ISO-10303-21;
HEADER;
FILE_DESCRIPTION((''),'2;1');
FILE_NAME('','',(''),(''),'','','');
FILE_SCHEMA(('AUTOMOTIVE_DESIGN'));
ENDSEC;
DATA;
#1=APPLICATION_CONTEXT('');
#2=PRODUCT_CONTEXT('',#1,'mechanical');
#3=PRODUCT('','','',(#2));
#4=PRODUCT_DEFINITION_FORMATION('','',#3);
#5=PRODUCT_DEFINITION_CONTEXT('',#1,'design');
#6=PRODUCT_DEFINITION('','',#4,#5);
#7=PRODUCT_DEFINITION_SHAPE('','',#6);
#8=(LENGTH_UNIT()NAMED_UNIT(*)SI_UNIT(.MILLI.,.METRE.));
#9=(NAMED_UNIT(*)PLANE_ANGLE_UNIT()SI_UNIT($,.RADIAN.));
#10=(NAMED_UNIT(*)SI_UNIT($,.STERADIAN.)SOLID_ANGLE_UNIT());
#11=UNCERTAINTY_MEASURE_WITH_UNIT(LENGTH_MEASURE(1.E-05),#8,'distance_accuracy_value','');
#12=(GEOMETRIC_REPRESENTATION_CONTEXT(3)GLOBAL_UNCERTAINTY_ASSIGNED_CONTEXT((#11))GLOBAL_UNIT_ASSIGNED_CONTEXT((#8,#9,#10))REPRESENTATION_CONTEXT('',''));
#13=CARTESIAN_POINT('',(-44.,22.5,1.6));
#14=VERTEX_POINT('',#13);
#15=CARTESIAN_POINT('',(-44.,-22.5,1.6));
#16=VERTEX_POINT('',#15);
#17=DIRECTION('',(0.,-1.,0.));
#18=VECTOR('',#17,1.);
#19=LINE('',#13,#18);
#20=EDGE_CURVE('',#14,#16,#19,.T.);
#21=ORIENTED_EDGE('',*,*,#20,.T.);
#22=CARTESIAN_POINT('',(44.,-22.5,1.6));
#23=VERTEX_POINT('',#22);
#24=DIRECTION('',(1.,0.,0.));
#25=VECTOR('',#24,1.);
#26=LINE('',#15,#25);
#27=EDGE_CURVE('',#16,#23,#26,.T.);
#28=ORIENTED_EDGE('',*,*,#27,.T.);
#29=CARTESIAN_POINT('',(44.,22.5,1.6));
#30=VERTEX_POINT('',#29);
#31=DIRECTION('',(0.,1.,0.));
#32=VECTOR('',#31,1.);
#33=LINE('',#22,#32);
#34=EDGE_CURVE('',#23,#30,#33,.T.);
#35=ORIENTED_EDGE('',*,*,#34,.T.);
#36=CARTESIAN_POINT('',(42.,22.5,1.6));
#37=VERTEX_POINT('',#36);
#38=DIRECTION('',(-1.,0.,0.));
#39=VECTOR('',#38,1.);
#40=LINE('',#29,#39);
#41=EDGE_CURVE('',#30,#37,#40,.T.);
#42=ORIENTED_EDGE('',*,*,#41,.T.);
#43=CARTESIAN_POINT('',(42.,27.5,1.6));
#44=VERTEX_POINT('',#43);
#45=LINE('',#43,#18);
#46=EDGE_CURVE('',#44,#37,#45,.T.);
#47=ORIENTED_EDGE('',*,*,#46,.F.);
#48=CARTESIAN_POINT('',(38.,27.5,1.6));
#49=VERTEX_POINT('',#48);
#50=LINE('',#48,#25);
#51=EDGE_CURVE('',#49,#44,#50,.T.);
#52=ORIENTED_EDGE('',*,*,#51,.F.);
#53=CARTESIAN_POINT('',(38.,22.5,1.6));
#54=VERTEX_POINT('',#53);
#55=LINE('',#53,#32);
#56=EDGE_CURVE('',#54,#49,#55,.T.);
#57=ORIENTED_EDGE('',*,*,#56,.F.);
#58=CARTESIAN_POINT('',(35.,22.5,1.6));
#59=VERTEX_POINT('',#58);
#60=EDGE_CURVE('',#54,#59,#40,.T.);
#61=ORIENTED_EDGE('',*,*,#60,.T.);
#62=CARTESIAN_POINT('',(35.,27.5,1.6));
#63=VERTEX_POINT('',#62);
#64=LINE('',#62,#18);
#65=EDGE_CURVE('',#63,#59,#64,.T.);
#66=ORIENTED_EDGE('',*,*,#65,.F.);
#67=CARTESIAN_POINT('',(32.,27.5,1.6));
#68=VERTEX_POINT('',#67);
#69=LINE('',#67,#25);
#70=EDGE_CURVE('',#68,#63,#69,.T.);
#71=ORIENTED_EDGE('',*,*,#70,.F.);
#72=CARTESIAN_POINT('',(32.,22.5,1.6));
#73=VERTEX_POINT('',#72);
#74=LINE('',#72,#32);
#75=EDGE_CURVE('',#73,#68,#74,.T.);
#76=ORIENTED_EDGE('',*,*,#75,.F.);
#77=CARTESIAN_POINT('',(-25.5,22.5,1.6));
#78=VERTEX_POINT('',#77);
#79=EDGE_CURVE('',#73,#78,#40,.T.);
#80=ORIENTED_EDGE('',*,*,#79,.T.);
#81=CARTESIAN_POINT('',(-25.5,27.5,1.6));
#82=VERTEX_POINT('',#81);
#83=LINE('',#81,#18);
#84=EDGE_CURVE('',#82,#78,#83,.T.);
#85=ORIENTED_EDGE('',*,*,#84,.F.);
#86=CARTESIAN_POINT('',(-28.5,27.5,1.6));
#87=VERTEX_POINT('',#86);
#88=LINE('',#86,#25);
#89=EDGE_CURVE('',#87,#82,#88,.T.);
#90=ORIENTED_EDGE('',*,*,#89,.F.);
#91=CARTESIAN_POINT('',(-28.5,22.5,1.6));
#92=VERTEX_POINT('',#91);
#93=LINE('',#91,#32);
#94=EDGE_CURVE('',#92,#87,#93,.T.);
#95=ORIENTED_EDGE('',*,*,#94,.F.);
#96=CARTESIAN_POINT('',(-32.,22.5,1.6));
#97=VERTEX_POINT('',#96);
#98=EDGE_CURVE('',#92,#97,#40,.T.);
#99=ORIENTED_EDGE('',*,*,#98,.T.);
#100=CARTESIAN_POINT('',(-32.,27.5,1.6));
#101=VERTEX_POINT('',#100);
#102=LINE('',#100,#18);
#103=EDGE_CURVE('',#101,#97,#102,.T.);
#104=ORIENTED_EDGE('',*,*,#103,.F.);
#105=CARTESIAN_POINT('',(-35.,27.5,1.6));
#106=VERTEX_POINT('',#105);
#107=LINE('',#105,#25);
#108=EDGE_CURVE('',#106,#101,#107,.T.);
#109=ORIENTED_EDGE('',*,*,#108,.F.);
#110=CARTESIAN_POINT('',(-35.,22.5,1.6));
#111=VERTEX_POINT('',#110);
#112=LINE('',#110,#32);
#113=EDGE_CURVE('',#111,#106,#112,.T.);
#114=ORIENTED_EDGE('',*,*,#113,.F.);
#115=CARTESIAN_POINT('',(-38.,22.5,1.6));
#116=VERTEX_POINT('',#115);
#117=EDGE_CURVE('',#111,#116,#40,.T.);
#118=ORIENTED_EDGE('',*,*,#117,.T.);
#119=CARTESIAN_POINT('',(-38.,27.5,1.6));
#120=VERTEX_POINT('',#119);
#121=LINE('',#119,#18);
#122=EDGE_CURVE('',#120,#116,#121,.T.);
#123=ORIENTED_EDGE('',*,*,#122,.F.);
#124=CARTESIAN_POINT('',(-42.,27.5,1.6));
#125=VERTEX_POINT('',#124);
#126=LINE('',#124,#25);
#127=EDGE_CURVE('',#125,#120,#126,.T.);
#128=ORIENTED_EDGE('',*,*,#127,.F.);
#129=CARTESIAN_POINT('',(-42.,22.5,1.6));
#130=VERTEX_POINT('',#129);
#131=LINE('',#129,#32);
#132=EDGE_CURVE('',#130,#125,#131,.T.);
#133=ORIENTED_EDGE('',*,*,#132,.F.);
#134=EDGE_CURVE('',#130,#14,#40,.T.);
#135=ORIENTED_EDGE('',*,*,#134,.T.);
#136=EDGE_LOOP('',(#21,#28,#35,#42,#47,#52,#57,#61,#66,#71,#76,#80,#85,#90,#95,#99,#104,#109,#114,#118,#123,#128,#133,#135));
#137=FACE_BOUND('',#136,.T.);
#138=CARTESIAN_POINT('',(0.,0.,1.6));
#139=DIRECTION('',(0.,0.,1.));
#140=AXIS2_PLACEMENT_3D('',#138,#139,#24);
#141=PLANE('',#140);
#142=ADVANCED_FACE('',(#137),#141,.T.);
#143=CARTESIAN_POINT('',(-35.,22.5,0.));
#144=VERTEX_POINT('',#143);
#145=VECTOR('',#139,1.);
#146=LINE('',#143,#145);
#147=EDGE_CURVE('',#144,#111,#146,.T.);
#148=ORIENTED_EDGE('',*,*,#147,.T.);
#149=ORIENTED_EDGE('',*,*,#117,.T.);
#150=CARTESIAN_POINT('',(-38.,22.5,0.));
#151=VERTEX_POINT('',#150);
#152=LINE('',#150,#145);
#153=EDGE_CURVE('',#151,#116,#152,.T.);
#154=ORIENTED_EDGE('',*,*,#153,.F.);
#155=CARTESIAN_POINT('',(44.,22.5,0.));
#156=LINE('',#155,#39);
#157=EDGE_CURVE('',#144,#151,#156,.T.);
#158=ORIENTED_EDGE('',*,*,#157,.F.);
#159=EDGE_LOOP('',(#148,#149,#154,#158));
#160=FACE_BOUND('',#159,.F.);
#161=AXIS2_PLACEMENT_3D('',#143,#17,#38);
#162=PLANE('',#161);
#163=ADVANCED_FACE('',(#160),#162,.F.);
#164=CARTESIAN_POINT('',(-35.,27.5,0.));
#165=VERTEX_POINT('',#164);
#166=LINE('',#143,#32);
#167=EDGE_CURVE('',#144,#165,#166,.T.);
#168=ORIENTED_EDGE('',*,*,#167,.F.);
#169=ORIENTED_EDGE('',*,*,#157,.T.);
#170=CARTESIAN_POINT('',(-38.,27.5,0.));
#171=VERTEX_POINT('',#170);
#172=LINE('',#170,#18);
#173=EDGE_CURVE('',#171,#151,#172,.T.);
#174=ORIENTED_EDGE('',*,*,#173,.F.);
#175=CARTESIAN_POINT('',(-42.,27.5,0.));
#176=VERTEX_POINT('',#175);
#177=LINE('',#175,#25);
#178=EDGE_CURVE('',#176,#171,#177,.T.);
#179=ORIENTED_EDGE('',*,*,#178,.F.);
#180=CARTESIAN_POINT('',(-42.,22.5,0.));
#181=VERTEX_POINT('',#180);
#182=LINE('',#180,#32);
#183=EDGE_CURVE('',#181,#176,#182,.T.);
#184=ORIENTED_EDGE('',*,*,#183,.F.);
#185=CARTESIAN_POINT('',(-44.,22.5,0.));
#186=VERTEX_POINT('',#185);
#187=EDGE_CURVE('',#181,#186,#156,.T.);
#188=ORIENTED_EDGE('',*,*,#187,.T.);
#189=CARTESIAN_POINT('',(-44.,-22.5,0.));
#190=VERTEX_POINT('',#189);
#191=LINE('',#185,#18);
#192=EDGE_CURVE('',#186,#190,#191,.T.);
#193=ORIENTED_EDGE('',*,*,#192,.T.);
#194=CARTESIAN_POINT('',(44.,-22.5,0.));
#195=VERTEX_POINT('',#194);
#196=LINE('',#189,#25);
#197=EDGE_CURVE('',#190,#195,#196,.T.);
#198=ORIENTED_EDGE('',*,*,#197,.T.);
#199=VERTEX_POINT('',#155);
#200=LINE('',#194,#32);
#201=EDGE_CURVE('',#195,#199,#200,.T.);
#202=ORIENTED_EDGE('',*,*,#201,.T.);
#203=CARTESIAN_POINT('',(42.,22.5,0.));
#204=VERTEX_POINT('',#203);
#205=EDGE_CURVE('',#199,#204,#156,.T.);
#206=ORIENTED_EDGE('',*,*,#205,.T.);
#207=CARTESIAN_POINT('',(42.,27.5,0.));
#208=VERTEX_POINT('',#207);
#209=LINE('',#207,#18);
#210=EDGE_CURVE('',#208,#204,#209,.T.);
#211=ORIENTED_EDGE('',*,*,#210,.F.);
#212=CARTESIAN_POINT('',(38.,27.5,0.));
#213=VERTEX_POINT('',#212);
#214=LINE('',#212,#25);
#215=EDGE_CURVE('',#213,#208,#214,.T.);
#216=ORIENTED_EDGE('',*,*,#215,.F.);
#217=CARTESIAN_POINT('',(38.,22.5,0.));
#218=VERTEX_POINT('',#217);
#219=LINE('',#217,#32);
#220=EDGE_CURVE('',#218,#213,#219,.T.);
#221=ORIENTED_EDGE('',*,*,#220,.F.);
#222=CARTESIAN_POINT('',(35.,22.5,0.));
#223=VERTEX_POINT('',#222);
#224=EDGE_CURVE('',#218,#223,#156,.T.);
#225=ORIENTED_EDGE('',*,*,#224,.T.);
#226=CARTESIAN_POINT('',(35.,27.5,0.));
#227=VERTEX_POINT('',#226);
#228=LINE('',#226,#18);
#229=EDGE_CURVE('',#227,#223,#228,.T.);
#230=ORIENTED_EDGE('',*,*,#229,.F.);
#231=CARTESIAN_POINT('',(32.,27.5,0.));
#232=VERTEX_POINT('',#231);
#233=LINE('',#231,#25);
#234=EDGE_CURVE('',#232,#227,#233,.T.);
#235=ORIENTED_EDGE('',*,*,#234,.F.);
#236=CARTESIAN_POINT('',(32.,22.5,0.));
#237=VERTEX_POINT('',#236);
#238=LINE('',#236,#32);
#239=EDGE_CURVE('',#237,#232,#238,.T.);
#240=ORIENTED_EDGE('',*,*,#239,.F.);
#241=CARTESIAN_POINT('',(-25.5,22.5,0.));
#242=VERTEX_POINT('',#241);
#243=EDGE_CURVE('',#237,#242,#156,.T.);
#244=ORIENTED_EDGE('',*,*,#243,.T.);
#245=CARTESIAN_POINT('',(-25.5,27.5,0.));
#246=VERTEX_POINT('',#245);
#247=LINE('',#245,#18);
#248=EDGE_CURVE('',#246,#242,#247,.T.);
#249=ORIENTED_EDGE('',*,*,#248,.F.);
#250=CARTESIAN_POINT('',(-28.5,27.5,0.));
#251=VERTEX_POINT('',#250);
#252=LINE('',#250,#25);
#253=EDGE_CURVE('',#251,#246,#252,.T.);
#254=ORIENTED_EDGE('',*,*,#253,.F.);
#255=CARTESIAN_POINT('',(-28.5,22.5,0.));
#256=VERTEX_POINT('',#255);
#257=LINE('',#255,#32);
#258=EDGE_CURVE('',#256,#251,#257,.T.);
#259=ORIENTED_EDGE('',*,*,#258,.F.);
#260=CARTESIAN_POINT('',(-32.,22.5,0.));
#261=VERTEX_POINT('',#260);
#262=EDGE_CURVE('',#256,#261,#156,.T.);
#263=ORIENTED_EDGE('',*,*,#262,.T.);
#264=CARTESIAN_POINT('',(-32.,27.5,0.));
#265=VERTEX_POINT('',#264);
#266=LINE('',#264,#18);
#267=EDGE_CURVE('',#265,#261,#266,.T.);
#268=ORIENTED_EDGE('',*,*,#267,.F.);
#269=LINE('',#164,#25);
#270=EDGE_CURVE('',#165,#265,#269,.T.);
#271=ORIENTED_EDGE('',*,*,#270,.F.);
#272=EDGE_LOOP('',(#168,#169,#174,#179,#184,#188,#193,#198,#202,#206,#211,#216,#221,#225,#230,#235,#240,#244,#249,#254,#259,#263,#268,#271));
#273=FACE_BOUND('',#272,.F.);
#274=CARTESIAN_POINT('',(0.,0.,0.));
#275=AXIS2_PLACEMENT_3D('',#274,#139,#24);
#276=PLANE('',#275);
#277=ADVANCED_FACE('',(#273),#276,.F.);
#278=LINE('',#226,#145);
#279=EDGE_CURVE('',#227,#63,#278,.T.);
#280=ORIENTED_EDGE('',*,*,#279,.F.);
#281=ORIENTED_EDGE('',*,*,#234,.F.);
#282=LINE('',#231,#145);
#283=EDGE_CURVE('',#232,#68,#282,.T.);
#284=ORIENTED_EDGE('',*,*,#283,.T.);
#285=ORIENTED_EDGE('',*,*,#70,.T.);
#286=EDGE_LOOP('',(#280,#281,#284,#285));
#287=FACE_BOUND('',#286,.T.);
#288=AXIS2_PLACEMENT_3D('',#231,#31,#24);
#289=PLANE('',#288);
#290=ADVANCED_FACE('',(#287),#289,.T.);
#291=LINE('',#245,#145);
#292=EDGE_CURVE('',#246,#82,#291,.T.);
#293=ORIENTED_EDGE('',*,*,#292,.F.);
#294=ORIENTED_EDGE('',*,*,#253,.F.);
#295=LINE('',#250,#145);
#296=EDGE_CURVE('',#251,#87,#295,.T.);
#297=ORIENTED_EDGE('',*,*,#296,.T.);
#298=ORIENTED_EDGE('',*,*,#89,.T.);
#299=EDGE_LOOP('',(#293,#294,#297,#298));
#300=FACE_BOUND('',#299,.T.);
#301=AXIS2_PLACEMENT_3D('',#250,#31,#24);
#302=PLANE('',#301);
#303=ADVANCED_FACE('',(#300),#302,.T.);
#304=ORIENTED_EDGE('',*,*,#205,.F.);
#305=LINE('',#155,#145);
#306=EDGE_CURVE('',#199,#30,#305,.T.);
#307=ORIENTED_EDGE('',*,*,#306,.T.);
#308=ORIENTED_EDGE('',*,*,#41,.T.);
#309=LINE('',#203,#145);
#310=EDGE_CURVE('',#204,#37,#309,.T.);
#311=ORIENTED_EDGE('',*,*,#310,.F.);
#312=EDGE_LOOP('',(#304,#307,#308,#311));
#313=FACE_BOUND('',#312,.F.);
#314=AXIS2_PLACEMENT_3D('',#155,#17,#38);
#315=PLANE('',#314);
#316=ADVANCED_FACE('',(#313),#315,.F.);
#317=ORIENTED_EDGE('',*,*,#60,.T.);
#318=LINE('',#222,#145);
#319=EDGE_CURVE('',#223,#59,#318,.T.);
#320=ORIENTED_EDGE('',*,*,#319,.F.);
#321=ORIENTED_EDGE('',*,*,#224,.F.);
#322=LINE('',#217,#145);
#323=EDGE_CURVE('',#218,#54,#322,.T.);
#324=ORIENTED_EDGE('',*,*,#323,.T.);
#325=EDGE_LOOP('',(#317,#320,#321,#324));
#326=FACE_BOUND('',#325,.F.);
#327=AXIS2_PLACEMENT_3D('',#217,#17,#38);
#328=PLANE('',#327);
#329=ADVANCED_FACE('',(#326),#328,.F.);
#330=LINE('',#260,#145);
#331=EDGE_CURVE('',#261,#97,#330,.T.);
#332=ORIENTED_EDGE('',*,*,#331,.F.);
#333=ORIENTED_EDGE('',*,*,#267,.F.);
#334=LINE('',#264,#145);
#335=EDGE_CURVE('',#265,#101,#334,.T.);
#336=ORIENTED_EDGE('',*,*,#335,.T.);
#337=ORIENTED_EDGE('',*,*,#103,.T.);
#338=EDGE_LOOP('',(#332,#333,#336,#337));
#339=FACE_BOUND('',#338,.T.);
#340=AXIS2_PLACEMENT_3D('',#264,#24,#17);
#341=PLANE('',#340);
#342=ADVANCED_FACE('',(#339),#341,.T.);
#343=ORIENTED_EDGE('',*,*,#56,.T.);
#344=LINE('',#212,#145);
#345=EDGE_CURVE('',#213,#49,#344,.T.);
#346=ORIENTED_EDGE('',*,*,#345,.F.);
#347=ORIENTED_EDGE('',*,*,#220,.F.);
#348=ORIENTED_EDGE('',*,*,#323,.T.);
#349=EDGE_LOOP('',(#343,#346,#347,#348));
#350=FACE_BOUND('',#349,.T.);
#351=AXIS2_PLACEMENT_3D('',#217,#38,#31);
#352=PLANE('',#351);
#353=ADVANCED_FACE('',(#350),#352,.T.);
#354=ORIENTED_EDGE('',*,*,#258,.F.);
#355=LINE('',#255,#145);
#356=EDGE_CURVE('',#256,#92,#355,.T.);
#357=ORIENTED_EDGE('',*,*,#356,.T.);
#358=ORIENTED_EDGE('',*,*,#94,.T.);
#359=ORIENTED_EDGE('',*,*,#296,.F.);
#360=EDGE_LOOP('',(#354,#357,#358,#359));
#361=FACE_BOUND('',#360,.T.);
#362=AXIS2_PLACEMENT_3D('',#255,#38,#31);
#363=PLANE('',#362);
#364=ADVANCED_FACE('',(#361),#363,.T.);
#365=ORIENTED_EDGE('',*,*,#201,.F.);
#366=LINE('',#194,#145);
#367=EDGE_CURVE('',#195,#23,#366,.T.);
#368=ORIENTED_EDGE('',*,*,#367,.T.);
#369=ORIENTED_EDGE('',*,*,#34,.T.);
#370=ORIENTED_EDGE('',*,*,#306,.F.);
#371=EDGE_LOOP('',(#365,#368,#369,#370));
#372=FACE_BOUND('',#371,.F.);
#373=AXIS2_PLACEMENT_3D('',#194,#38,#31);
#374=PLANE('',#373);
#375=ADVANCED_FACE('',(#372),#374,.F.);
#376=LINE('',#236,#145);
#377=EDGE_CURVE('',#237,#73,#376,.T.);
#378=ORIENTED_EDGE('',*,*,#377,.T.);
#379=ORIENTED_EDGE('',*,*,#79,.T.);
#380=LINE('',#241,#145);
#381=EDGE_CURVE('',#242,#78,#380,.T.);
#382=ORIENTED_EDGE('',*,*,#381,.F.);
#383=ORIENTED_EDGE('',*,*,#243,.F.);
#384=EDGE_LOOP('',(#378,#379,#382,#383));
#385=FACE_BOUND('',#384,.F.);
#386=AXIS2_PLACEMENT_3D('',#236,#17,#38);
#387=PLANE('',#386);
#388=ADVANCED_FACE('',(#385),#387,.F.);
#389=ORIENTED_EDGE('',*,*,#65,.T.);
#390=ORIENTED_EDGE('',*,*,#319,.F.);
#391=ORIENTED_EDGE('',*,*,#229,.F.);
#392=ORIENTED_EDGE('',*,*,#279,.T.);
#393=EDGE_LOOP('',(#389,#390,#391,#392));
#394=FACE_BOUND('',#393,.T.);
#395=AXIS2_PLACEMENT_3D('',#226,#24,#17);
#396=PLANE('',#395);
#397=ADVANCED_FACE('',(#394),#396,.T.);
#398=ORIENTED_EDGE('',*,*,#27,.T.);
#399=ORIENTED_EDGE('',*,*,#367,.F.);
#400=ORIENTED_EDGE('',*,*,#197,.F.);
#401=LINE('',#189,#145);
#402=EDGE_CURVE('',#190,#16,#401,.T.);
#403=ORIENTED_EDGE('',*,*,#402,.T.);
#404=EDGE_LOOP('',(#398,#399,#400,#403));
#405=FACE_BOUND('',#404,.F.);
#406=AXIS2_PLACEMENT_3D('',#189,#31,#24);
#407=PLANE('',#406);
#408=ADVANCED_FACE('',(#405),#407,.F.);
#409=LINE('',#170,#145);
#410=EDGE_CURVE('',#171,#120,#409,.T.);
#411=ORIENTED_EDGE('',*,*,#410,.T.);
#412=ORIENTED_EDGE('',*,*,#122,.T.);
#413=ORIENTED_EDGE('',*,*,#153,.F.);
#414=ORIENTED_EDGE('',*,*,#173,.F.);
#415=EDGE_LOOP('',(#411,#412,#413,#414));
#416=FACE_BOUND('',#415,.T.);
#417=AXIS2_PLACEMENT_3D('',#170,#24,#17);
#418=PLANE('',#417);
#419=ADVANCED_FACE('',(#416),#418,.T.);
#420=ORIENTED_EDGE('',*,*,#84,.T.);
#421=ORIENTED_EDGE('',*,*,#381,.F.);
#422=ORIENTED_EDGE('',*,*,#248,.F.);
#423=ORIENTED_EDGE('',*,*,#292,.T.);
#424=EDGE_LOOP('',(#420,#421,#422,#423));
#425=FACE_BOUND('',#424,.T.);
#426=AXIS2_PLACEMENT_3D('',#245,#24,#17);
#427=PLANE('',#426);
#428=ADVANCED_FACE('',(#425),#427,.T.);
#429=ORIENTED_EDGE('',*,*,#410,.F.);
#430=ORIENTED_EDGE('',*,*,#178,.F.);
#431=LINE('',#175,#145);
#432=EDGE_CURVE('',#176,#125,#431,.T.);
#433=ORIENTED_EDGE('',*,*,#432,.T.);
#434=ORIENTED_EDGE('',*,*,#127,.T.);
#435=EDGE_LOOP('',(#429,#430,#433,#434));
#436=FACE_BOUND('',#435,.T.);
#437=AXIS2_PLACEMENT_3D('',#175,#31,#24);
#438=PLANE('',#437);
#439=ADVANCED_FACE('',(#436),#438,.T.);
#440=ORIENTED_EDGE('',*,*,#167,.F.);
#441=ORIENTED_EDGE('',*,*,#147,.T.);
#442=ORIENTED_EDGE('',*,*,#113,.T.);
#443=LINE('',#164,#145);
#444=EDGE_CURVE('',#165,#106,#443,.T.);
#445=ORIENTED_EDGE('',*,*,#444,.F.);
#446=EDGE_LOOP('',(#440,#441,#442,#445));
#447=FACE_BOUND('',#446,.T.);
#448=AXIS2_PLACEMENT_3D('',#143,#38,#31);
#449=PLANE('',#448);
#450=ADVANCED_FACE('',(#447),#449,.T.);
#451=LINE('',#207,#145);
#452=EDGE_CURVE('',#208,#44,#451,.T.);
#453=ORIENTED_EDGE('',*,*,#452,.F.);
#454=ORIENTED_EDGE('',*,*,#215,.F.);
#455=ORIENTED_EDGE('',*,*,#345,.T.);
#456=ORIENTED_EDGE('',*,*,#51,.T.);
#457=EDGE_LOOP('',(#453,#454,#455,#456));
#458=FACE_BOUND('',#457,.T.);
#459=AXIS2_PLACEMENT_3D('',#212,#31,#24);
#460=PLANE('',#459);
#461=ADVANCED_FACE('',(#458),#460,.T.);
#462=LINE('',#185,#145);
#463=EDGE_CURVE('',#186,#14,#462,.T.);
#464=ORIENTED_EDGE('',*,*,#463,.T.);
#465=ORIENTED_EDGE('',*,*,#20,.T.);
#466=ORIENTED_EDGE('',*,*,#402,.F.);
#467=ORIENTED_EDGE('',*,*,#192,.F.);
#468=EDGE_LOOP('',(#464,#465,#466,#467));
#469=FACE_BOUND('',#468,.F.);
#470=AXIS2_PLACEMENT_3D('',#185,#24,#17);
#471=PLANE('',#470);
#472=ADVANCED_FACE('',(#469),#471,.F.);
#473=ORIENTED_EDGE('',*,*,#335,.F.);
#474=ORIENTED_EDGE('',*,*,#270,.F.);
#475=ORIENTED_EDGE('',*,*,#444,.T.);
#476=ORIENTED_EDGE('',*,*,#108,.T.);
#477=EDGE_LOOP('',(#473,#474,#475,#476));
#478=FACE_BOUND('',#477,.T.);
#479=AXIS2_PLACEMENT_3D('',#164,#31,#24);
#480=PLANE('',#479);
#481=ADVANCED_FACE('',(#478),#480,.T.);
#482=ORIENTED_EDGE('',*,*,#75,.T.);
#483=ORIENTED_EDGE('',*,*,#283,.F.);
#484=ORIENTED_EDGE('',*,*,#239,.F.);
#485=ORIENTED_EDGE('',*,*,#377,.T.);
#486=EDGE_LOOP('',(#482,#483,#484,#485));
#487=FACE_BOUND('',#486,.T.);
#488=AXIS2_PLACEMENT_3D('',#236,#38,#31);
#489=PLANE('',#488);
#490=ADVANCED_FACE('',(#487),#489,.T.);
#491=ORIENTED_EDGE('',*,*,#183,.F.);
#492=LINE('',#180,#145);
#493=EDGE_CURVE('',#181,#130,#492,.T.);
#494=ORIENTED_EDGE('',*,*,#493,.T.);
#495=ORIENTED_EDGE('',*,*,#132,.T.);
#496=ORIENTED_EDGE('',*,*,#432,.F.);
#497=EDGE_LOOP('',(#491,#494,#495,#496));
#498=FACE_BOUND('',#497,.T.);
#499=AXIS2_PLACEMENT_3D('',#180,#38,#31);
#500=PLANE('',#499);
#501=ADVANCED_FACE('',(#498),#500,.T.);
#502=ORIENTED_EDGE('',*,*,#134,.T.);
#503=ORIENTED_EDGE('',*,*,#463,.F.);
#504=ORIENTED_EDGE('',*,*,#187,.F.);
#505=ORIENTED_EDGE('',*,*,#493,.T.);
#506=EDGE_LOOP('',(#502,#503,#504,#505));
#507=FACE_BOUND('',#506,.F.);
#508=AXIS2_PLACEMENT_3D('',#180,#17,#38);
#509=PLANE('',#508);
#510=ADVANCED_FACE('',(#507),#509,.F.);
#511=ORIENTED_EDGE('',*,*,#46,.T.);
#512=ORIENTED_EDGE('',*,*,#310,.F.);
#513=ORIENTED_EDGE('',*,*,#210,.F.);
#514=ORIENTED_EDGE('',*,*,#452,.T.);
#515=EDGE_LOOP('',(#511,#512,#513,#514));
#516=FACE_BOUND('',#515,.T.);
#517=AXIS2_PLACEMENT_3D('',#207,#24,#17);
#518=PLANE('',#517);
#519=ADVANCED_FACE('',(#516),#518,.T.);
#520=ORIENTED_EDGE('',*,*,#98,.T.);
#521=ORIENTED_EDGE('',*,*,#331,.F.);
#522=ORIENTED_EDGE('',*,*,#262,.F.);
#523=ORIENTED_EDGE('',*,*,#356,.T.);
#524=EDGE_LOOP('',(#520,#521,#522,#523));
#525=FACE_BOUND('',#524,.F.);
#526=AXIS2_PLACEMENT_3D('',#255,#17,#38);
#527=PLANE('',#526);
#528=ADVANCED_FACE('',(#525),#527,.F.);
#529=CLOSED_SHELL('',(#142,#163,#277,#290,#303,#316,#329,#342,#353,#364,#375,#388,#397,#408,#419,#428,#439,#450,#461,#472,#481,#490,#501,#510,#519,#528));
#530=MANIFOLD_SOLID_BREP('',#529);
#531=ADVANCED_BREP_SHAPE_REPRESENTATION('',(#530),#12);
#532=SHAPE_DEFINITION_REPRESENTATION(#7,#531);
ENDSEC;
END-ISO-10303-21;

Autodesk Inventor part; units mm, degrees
ref_plane "YZ Plane" through (0, 0, 0) normal (1, 0, 0) x (0, 1, 0)
ref_plane "XZ Plane" through (0, 0, 0) normal (0, 1, 0) x (-1, 0, 0)
ref_plane "XY Plane" through (0, 0, 0) normal (0, 0, 1) x (1, 0, 0)
sketch "Sketch1" plane through (0, 0, 0) normal (0, 0, 1) x (1, 0, 0)
  line L0 (-44, -22.5) -> (44, -22.5)
  line L1 (44, -22.5) -> (44, 22.5)
  line L2 (44, 22.5) -> (-44, 22.5)
  line L3 (-44, 22.5) -> (-44, -22.5)
  line L4 (-44, -22.5) -> (44, 22.5) construction
  line L5 (44, -22.5) -> (-44, 22.5) construction
  line L6 (-42, 22.5) -> (-42, 27.5)
  line L7 (-42, 27.5) -> (-38, 27.5)
  line L8 (-38, 27.5) -> (-38, 22.5)
  line L9 (-35, 22.5) -> (-35, 27.5)
  line L10 (-35, 27.5) -> (-32, 27.5)
  line L11 (-32, 27.5) -> (-32, 22.5)
  line L12 (-28.5, 22.5) -> (-28.5, 27.5)
  line L13 (-28.5, 27.5) -> (-25.5, 27.5)
  line L14 (-25.5, 27.5) -> (-25.5, 22.5)
  line L15 (32, 22.5) -> (32, 27.5)
  line L16 (32, 27.5) -> (35, 27.5)
  line L17 (35, 27.5) -> (35, 22.5)
  line L18 (38, 22.5) -> (38, 27.5)
  line L19 (38, 27.5) -> (42, 27.5)
  line L20 (42, 27.5) -> (42, 22.5)
  point P0 (0, 0)
  point P1 (-28.5, 25)
  point P2 (-40, 27.5)
  dimension "d0" = 45
  dimension "d1" = 88
  dimension "d2" = 4
  dimension "d3" = 3
  dimension "d4" = 3
  dimension "d5" = 3
  dimension "d6" = 4
  dimension "d7" = 2
  dimension "d8" = 3
  dimension "d9" = 3.5
  dimension "d10" = 2
  dimension "d11" = 3
  dimension "d12" = 5
extrude "Extrusion1" add sketch "Sketch1" along normal blind 1.6
properties part number "PCB_2"
